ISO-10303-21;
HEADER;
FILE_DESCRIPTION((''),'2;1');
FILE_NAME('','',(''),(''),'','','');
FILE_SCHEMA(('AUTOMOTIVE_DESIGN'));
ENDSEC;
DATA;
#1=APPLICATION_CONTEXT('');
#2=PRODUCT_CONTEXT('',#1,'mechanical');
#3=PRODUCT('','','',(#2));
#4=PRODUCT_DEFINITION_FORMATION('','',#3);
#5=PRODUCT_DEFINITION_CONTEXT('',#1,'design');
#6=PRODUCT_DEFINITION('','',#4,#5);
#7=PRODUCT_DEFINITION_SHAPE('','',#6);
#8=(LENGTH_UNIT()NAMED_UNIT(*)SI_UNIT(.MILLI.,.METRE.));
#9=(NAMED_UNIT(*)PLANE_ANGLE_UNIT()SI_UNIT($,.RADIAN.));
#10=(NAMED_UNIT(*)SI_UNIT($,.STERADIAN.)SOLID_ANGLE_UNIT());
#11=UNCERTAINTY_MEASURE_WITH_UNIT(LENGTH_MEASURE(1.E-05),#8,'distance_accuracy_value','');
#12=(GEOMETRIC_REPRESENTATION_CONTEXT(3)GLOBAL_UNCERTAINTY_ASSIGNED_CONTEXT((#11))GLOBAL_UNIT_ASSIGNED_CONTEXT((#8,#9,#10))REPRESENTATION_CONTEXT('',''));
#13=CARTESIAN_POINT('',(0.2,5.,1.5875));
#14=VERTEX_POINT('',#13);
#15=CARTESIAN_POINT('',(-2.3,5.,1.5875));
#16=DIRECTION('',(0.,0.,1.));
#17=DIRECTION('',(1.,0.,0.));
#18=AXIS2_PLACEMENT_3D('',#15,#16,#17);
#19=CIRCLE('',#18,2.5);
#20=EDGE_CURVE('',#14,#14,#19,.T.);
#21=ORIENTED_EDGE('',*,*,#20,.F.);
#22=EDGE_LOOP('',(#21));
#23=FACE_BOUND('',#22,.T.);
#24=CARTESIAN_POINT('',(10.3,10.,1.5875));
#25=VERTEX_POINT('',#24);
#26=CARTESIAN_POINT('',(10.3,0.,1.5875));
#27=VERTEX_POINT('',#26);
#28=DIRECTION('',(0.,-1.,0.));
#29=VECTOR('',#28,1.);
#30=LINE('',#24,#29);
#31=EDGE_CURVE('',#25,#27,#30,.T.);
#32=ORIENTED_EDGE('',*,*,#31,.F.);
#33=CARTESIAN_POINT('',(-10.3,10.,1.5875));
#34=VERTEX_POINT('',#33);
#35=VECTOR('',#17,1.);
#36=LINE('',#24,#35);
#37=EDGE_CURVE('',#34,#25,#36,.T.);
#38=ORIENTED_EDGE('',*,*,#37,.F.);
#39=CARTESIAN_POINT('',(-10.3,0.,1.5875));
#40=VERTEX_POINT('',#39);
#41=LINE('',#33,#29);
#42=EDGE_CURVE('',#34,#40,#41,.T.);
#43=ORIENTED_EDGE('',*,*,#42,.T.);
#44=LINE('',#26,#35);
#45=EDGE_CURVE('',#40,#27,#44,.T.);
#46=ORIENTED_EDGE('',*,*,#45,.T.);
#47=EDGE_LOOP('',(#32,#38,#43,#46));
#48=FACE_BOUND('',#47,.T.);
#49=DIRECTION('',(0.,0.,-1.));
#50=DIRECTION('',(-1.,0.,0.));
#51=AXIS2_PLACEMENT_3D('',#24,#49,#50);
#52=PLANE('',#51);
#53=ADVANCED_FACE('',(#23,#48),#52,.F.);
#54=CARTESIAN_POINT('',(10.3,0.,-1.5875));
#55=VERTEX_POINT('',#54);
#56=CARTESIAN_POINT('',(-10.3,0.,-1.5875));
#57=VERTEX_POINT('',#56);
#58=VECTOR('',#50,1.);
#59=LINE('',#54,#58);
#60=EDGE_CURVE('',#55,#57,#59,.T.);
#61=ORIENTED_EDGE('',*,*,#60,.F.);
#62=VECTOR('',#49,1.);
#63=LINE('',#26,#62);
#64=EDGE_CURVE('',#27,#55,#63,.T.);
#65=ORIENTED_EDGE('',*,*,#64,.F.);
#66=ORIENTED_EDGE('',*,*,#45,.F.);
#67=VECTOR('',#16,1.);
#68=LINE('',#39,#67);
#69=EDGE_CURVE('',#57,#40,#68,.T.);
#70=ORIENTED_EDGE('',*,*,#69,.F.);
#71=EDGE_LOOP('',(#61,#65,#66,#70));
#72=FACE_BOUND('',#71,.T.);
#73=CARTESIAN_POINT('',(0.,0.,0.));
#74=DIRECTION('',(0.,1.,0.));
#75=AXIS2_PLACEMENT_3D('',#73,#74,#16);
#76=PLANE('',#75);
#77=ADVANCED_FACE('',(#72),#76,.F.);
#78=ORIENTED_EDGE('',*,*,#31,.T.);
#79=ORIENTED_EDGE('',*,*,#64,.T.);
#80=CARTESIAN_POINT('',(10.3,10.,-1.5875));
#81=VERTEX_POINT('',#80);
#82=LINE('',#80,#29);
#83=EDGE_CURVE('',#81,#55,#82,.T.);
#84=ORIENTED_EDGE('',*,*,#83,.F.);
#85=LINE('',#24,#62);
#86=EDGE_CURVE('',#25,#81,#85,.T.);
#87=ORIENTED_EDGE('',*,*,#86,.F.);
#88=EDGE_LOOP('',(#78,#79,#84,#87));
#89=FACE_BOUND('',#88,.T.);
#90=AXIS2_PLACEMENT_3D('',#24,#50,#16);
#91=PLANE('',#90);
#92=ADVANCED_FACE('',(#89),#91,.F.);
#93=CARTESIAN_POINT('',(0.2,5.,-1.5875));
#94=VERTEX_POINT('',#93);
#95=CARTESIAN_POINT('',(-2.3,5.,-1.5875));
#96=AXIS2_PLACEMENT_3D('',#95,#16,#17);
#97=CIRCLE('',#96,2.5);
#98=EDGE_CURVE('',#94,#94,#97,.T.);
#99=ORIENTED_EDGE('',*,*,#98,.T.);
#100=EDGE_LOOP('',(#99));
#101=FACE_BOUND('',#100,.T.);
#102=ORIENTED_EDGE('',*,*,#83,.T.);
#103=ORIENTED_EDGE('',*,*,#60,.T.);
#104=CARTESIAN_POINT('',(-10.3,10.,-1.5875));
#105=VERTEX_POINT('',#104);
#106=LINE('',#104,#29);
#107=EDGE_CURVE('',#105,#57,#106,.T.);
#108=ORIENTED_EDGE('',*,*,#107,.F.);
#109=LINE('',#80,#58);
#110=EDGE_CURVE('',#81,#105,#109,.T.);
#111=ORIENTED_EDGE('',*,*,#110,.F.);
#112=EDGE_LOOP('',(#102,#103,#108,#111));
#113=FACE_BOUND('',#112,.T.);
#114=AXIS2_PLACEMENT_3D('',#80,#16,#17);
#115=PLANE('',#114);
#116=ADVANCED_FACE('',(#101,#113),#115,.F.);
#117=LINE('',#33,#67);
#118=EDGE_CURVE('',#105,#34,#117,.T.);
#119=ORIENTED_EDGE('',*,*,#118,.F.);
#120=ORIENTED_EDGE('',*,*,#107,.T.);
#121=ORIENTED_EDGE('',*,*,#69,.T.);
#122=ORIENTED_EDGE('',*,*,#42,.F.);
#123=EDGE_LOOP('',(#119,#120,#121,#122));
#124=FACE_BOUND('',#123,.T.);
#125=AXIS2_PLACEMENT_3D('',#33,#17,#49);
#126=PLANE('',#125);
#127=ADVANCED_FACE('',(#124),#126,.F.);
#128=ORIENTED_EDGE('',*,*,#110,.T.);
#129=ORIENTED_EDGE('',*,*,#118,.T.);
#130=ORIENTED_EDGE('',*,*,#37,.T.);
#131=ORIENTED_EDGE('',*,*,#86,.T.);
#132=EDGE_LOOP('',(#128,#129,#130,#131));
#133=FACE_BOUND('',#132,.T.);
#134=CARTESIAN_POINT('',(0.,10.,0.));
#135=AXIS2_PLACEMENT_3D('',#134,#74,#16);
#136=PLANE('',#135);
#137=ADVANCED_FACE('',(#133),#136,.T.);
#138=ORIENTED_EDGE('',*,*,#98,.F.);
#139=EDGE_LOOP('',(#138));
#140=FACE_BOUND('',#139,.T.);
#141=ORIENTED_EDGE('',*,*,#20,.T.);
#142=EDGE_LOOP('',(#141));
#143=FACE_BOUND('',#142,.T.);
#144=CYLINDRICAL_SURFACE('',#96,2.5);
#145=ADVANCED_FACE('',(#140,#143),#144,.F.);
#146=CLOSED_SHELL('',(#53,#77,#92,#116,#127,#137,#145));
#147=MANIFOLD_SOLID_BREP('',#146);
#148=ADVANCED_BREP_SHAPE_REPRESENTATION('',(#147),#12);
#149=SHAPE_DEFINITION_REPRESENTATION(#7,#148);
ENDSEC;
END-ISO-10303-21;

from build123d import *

# Parameters (mm, degrees)
CROQUIS1_W              = 20.6
CROQUIS1_H              = 3.175
SALIENTE_EXTRUIR1_DEPTH = 10
CROQUIS2_R              = 2.5
CORTAR_EXTRUIR1_DEPTH   = 15.702742091


with BuildPart() as part:
    # Croquis1 → Saliente-Extruir1 (new body)
    with BuildSketch(Plane(origin=(0, 0, 0), x_dir=(1, 0, 0), z_dir=(0, 1, 0))):
        Rectangle(CROQUIS1_W, CROQUIS1_H)
    extrude(amount=SALIENTE_EXTRUIR1_DEPTH)

    # Croquis2 → Cortar-Extruir1 (cut, through all)
    with BuildSketch(Plane.XY.offset(1.5875)):
        with Locations((-2.3, 5)):
            Circle(CROQUIS2_R)
    extrude(amount=-CORTAR_EXTRUIR1_DEPTH, mode=Mode.SUBTRACT)


solid = part.part
